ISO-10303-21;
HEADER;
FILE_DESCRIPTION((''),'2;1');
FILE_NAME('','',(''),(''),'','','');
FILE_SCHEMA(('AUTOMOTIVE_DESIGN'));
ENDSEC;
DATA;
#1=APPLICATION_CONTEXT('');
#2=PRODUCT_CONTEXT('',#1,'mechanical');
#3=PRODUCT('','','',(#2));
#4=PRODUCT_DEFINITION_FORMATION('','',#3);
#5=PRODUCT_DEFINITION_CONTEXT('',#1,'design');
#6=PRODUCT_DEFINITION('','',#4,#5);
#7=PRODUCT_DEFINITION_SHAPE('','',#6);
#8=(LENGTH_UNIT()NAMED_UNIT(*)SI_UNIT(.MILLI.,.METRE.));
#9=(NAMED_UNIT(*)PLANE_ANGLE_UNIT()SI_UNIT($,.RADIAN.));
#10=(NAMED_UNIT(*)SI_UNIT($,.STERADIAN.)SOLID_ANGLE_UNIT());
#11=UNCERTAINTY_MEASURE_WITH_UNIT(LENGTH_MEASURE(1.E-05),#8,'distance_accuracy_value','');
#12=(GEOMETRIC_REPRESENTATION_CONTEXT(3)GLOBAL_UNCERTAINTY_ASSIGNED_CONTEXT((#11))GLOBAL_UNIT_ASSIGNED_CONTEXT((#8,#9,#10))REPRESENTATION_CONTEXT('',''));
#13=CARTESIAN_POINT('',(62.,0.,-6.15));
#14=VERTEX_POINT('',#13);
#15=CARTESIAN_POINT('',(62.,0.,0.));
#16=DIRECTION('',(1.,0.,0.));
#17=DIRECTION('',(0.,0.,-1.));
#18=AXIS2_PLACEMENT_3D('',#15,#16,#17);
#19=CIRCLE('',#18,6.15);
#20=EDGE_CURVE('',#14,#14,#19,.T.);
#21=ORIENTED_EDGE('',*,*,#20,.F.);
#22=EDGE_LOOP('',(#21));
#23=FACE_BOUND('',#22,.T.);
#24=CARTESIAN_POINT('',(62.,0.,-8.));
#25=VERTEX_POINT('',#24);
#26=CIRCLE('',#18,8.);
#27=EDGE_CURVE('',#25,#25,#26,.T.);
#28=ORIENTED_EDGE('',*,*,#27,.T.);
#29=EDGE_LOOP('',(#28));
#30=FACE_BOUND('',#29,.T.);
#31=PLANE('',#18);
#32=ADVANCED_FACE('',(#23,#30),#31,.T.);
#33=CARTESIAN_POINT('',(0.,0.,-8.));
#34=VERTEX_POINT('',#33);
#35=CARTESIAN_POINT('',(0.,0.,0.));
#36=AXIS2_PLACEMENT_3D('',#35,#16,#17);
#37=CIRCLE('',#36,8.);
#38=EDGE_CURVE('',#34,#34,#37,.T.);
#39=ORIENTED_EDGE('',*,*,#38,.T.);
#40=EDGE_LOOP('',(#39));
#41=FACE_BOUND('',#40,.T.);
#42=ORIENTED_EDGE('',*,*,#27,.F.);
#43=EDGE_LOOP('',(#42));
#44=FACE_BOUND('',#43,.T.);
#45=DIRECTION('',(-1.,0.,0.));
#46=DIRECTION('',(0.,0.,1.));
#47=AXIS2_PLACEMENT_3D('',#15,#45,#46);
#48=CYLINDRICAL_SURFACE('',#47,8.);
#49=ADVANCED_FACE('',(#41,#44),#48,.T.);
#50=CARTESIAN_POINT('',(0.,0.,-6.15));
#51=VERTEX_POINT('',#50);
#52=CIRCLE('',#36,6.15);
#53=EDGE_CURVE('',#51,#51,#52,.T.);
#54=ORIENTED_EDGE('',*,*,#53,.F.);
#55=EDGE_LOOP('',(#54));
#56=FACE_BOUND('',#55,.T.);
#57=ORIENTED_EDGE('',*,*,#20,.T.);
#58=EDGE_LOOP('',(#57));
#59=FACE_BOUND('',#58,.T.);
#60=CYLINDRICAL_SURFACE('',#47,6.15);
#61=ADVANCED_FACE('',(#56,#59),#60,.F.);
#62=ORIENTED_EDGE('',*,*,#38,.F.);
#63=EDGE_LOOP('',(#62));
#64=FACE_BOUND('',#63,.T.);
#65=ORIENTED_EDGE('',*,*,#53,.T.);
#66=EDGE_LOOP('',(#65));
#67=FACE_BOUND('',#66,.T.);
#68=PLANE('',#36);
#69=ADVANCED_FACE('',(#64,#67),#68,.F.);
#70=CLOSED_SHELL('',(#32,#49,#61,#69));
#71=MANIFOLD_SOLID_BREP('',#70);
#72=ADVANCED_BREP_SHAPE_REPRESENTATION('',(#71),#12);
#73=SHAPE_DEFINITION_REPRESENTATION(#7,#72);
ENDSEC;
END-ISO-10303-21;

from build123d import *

# Parameters (mm, degrees)
SKETCH_1_R      = 8
SKETCH_1_R_2    = 6.15
EXTRUDE_1_DEPTH = 62


with BuildPart() as part:
    # ｽｹｯﾁ1 → ﾎﾞｽ - 押し出し1 (new body)
    with BuildSketch(Plane(origin=(0, 0, 0), x_dir=(0, 0, -1), z_dir=(1, 0, 0))):
        Circle(SKETCH_1_R)
        Circle(SKETCH_1_R_2, mode=Mode.SUBTRACT)
    extrude(amount=EXTRUDE_1_DEPTH)


solid = part.part
